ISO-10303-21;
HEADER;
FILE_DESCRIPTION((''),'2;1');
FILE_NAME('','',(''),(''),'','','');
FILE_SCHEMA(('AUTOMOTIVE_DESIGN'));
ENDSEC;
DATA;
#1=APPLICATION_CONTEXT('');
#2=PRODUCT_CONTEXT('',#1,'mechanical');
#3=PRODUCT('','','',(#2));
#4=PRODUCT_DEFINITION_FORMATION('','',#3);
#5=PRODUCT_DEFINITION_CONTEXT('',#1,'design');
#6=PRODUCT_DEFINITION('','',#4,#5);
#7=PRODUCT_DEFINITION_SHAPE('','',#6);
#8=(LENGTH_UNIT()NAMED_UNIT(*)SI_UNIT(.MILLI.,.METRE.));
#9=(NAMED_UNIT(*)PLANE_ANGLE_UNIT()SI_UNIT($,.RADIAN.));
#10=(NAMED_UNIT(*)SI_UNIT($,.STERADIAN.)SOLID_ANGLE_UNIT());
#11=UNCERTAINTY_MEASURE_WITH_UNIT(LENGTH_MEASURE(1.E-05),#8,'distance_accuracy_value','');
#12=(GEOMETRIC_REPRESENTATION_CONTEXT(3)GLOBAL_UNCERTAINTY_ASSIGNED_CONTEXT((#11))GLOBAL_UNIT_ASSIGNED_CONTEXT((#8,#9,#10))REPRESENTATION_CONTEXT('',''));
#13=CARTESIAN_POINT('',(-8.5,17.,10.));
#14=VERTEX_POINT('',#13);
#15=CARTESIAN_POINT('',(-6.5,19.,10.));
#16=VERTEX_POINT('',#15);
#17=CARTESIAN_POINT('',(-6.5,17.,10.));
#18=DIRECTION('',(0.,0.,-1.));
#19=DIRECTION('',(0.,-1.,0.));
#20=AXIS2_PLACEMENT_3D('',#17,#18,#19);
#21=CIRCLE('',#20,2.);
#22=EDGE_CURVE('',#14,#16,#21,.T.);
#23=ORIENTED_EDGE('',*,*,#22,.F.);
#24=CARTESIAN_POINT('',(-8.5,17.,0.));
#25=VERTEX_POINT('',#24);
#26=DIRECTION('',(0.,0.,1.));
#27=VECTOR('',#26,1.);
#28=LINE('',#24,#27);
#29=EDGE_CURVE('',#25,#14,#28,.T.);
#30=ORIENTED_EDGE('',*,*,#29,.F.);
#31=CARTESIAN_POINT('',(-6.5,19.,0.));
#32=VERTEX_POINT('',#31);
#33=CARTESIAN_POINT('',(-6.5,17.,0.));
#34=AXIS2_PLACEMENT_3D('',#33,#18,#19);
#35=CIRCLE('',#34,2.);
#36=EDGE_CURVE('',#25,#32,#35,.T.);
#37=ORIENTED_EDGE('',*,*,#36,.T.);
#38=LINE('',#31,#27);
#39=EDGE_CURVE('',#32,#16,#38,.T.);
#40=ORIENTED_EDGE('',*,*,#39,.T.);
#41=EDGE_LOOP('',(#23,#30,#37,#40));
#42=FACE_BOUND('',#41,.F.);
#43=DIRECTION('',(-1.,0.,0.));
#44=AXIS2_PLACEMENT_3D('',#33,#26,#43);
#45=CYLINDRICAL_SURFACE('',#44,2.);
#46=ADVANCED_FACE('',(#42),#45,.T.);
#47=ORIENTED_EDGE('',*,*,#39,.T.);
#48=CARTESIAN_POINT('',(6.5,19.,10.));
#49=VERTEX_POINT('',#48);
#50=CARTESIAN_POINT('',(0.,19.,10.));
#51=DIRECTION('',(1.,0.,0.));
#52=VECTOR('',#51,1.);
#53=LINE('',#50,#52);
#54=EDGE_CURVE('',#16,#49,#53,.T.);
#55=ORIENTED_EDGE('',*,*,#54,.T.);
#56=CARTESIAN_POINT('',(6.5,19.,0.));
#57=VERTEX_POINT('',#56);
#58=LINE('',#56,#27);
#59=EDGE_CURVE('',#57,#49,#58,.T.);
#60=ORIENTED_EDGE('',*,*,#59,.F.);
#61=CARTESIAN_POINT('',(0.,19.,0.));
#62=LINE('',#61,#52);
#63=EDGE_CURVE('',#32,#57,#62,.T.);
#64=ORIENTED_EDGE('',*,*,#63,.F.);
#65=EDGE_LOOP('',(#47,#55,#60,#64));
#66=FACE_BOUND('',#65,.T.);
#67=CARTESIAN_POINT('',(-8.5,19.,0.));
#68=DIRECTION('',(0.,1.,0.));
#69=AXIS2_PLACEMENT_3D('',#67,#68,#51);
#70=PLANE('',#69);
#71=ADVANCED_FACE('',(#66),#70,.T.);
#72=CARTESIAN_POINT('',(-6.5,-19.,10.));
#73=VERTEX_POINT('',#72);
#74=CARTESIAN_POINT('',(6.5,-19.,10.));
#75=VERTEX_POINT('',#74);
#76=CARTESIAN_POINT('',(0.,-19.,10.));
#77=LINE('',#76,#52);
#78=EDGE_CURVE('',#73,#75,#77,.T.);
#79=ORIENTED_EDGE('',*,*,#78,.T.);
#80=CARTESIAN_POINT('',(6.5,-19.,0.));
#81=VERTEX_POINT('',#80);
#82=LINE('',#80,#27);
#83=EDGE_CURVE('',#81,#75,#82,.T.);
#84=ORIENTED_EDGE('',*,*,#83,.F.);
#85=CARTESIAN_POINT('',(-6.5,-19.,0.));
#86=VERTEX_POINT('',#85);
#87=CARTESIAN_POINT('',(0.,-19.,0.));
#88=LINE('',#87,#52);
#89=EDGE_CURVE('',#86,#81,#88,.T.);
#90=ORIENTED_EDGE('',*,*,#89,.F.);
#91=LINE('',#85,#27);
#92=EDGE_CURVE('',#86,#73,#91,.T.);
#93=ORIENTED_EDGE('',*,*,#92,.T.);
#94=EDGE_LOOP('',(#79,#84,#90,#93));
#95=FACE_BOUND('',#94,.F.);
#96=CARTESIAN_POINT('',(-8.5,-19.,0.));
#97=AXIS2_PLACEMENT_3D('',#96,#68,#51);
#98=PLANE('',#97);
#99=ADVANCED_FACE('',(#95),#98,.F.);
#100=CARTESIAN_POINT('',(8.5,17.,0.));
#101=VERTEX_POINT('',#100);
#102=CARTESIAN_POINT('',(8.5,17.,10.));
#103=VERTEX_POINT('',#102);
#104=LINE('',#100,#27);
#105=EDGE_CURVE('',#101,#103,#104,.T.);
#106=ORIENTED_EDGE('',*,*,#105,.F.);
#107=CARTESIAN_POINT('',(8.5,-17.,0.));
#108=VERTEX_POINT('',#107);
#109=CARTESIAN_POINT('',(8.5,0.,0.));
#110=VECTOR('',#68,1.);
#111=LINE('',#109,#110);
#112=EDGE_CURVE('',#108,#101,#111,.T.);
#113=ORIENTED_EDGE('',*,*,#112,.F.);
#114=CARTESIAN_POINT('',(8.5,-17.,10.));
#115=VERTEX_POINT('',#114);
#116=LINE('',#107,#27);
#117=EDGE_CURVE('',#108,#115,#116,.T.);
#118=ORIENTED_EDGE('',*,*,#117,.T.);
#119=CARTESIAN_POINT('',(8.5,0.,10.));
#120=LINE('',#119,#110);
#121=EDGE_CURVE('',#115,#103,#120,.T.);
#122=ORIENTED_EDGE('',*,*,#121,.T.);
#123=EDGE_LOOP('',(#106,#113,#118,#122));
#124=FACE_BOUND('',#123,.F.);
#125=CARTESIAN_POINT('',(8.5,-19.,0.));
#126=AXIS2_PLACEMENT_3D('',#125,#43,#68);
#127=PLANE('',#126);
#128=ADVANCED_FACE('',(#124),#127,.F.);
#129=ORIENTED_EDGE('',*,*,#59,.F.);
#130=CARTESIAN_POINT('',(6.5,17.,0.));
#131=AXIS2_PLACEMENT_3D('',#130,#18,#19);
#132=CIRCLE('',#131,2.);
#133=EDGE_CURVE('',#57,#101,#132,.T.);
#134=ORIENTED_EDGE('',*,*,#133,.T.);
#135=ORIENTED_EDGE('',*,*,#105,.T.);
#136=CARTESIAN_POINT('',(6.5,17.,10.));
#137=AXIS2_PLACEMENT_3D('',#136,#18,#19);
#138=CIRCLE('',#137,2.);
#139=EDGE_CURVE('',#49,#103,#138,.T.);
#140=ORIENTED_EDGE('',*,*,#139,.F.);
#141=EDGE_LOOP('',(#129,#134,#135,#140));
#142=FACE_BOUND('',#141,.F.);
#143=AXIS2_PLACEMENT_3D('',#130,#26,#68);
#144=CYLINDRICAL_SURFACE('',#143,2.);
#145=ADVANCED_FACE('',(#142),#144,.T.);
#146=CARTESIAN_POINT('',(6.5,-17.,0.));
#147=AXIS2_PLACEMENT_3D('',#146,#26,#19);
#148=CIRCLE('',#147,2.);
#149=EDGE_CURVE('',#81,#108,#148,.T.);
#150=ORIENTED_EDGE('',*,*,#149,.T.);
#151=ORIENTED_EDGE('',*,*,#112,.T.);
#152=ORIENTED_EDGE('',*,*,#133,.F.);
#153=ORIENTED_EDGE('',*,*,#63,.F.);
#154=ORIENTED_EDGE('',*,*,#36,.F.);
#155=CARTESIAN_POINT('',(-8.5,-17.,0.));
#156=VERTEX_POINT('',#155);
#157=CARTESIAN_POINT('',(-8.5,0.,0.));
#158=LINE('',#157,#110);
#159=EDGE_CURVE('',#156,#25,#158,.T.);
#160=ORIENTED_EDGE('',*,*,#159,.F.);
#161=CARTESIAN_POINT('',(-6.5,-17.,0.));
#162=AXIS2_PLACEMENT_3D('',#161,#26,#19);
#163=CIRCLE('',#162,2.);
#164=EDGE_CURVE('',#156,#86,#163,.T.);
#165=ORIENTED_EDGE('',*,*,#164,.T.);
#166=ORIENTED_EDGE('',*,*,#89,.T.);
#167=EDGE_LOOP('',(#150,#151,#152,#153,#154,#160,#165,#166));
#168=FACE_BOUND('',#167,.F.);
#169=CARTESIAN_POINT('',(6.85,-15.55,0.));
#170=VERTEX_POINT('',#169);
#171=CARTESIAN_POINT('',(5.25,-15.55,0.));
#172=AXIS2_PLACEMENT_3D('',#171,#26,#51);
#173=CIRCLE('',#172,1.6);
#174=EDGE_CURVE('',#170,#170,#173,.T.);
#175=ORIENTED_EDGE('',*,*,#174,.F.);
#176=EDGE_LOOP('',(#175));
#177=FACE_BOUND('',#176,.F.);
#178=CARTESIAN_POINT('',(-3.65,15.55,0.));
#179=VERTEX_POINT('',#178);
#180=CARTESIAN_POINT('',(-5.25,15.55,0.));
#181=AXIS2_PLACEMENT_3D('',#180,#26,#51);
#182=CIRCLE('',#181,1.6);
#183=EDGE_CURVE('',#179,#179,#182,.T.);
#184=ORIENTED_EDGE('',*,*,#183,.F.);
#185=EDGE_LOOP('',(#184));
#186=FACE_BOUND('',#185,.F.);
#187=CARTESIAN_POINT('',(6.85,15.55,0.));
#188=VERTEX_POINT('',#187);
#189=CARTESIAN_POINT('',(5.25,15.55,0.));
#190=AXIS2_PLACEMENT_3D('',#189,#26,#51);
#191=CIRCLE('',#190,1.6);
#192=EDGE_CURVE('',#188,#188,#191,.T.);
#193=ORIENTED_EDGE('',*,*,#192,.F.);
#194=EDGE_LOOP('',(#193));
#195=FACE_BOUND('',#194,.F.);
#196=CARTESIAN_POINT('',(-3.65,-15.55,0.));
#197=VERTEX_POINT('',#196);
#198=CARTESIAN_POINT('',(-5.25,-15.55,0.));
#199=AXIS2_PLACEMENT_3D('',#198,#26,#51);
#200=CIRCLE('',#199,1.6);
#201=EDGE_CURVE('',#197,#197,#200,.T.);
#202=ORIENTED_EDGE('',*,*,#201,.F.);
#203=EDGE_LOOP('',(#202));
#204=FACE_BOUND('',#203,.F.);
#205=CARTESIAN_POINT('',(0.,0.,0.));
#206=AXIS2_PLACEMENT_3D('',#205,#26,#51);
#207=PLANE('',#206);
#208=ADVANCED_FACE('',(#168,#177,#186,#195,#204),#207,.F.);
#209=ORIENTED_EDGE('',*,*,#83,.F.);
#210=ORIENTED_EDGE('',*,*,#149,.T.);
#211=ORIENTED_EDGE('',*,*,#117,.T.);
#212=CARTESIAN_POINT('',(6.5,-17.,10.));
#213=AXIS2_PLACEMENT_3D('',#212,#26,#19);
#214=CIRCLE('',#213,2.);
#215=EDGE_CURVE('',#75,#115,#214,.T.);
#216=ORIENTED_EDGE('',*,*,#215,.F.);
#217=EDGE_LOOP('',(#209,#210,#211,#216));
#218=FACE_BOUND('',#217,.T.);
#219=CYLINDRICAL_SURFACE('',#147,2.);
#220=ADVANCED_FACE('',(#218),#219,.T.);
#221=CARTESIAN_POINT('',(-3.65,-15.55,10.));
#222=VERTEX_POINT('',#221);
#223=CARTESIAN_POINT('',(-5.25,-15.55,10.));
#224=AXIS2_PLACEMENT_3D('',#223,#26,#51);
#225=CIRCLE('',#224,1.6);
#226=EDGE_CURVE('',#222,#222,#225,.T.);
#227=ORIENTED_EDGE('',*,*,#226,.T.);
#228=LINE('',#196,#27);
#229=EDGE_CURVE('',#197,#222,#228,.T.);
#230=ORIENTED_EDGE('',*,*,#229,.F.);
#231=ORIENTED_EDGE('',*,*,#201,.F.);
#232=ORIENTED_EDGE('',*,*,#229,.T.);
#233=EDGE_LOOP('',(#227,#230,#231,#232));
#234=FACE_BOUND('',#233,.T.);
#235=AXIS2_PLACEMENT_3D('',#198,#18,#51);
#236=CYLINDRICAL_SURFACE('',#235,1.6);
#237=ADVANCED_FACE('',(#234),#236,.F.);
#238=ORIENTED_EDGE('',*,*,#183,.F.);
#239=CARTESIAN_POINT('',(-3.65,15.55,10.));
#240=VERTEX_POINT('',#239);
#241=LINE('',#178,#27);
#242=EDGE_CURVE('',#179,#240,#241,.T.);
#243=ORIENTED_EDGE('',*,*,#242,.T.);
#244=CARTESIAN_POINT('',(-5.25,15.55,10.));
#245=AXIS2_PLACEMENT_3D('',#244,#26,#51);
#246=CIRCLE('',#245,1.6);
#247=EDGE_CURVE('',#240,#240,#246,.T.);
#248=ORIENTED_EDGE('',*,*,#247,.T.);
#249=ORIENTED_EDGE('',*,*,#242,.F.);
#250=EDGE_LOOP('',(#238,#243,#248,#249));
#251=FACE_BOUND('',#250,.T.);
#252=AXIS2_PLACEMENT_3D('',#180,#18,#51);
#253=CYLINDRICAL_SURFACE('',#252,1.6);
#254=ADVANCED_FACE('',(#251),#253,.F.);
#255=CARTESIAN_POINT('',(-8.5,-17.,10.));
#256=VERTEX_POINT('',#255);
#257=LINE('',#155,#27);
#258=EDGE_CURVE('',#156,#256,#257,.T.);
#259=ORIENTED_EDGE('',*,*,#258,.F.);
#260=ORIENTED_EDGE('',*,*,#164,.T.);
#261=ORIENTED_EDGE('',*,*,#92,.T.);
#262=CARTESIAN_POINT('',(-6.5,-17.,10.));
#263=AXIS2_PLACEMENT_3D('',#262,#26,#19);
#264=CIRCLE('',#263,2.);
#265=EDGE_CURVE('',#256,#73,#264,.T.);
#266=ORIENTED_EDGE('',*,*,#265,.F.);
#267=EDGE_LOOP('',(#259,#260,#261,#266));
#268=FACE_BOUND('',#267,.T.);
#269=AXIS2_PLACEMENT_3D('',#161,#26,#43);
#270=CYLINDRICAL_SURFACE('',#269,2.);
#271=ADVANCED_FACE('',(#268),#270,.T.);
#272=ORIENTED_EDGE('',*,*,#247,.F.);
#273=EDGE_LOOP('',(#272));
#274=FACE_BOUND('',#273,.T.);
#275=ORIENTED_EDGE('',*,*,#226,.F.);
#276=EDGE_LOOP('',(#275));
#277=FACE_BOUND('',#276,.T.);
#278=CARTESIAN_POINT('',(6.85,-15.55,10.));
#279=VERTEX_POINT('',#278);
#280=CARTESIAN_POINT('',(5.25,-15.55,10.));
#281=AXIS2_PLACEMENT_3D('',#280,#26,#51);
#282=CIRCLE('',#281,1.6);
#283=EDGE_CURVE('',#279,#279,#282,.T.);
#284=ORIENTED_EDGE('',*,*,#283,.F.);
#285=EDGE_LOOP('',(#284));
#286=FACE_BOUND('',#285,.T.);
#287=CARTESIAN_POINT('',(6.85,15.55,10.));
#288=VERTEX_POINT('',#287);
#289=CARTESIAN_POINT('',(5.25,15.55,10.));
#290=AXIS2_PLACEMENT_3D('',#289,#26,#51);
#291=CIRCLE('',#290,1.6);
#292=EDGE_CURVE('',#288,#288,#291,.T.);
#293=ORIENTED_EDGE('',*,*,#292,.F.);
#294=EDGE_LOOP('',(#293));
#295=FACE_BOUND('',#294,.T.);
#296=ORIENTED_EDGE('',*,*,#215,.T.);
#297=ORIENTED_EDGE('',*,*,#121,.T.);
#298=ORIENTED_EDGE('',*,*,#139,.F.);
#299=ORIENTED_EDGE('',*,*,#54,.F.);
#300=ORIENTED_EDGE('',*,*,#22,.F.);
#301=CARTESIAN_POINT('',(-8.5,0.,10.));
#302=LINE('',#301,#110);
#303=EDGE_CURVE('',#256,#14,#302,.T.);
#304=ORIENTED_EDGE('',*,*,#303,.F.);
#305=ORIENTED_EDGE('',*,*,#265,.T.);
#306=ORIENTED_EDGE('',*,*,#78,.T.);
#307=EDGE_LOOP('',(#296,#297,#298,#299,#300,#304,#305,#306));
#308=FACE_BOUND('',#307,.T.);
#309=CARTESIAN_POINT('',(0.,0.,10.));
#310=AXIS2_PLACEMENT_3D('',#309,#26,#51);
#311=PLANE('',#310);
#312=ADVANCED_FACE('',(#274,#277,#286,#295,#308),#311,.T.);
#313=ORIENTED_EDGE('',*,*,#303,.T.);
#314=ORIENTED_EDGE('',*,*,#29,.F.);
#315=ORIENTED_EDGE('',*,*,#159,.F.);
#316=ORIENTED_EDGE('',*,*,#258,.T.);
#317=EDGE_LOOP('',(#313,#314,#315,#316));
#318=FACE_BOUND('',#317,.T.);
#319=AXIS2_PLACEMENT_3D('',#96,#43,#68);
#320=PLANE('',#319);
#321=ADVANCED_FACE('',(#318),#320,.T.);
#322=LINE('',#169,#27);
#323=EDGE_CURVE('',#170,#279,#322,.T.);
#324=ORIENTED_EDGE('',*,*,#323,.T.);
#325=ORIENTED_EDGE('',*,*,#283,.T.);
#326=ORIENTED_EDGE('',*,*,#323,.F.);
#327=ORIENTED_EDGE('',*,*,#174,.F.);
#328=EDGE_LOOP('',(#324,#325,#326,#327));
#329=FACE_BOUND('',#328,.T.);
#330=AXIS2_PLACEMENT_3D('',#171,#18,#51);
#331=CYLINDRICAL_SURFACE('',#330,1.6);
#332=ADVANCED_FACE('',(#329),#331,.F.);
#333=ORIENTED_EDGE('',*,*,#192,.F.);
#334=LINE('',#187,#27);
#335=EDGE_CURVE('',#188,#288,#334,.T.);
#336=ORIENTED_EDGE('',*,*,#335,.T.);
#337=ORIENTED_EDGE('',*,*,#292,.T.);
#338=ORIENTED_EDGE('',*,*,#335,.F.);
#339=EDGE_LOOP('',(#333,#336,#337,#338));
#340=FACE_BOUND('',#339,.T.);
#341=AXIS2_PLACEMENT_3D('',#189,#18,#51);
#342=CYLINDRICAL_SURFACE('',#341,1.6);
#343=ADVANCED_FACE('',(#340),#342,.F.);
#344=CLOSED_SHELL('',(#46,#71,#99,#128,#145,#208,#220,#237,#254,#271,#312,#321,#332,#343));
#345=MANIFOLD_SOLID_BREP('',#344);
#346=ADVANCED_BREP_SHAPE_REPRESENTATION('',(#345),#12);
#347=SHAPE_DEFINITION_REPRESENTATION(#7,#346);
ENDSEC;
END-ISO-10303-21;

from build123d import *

# Parameters (mm, degrees)
F0_W     = 17
F0_H     = 38
F0_R     = 1.6
F1_DEPTH = 10
F2_R     = 2


with BuildPart() as f1:
    # F0 (on Top) → F1 (new body)
    with BuildSketch(Plane.XY):
        Rectangle(F0_W, F0_H)
        with Locations((-5.25, -15.55)):
            Circle(F0_R, mode=Mode.SUBTRACT)
        with Locations((5.25, -15.55)):
            Circle(F0_R, mode=Mode.SUBTRACT)
        with Locations((-5.25, 15.55)):
            Circle(F0_R, mode=Mode.SUBTRACT)
        with Locations((5.25, 15.55)):
            Circle(F0_R, mode=Mode.SUBTRACT)
    extrude(amount=F1_DEPTH)

    # F2
    f2_edges = [f1.edges().sort_by_distance(p)[0] for p in [
        (8.5, -19, 5),
        (-8.5, -19, 5),
        (8.5, 19, 5),
        (-8.5, 19, 5),
    ]]
    fillet(f2_edges, radius=F2_R)


solid = f1.part
